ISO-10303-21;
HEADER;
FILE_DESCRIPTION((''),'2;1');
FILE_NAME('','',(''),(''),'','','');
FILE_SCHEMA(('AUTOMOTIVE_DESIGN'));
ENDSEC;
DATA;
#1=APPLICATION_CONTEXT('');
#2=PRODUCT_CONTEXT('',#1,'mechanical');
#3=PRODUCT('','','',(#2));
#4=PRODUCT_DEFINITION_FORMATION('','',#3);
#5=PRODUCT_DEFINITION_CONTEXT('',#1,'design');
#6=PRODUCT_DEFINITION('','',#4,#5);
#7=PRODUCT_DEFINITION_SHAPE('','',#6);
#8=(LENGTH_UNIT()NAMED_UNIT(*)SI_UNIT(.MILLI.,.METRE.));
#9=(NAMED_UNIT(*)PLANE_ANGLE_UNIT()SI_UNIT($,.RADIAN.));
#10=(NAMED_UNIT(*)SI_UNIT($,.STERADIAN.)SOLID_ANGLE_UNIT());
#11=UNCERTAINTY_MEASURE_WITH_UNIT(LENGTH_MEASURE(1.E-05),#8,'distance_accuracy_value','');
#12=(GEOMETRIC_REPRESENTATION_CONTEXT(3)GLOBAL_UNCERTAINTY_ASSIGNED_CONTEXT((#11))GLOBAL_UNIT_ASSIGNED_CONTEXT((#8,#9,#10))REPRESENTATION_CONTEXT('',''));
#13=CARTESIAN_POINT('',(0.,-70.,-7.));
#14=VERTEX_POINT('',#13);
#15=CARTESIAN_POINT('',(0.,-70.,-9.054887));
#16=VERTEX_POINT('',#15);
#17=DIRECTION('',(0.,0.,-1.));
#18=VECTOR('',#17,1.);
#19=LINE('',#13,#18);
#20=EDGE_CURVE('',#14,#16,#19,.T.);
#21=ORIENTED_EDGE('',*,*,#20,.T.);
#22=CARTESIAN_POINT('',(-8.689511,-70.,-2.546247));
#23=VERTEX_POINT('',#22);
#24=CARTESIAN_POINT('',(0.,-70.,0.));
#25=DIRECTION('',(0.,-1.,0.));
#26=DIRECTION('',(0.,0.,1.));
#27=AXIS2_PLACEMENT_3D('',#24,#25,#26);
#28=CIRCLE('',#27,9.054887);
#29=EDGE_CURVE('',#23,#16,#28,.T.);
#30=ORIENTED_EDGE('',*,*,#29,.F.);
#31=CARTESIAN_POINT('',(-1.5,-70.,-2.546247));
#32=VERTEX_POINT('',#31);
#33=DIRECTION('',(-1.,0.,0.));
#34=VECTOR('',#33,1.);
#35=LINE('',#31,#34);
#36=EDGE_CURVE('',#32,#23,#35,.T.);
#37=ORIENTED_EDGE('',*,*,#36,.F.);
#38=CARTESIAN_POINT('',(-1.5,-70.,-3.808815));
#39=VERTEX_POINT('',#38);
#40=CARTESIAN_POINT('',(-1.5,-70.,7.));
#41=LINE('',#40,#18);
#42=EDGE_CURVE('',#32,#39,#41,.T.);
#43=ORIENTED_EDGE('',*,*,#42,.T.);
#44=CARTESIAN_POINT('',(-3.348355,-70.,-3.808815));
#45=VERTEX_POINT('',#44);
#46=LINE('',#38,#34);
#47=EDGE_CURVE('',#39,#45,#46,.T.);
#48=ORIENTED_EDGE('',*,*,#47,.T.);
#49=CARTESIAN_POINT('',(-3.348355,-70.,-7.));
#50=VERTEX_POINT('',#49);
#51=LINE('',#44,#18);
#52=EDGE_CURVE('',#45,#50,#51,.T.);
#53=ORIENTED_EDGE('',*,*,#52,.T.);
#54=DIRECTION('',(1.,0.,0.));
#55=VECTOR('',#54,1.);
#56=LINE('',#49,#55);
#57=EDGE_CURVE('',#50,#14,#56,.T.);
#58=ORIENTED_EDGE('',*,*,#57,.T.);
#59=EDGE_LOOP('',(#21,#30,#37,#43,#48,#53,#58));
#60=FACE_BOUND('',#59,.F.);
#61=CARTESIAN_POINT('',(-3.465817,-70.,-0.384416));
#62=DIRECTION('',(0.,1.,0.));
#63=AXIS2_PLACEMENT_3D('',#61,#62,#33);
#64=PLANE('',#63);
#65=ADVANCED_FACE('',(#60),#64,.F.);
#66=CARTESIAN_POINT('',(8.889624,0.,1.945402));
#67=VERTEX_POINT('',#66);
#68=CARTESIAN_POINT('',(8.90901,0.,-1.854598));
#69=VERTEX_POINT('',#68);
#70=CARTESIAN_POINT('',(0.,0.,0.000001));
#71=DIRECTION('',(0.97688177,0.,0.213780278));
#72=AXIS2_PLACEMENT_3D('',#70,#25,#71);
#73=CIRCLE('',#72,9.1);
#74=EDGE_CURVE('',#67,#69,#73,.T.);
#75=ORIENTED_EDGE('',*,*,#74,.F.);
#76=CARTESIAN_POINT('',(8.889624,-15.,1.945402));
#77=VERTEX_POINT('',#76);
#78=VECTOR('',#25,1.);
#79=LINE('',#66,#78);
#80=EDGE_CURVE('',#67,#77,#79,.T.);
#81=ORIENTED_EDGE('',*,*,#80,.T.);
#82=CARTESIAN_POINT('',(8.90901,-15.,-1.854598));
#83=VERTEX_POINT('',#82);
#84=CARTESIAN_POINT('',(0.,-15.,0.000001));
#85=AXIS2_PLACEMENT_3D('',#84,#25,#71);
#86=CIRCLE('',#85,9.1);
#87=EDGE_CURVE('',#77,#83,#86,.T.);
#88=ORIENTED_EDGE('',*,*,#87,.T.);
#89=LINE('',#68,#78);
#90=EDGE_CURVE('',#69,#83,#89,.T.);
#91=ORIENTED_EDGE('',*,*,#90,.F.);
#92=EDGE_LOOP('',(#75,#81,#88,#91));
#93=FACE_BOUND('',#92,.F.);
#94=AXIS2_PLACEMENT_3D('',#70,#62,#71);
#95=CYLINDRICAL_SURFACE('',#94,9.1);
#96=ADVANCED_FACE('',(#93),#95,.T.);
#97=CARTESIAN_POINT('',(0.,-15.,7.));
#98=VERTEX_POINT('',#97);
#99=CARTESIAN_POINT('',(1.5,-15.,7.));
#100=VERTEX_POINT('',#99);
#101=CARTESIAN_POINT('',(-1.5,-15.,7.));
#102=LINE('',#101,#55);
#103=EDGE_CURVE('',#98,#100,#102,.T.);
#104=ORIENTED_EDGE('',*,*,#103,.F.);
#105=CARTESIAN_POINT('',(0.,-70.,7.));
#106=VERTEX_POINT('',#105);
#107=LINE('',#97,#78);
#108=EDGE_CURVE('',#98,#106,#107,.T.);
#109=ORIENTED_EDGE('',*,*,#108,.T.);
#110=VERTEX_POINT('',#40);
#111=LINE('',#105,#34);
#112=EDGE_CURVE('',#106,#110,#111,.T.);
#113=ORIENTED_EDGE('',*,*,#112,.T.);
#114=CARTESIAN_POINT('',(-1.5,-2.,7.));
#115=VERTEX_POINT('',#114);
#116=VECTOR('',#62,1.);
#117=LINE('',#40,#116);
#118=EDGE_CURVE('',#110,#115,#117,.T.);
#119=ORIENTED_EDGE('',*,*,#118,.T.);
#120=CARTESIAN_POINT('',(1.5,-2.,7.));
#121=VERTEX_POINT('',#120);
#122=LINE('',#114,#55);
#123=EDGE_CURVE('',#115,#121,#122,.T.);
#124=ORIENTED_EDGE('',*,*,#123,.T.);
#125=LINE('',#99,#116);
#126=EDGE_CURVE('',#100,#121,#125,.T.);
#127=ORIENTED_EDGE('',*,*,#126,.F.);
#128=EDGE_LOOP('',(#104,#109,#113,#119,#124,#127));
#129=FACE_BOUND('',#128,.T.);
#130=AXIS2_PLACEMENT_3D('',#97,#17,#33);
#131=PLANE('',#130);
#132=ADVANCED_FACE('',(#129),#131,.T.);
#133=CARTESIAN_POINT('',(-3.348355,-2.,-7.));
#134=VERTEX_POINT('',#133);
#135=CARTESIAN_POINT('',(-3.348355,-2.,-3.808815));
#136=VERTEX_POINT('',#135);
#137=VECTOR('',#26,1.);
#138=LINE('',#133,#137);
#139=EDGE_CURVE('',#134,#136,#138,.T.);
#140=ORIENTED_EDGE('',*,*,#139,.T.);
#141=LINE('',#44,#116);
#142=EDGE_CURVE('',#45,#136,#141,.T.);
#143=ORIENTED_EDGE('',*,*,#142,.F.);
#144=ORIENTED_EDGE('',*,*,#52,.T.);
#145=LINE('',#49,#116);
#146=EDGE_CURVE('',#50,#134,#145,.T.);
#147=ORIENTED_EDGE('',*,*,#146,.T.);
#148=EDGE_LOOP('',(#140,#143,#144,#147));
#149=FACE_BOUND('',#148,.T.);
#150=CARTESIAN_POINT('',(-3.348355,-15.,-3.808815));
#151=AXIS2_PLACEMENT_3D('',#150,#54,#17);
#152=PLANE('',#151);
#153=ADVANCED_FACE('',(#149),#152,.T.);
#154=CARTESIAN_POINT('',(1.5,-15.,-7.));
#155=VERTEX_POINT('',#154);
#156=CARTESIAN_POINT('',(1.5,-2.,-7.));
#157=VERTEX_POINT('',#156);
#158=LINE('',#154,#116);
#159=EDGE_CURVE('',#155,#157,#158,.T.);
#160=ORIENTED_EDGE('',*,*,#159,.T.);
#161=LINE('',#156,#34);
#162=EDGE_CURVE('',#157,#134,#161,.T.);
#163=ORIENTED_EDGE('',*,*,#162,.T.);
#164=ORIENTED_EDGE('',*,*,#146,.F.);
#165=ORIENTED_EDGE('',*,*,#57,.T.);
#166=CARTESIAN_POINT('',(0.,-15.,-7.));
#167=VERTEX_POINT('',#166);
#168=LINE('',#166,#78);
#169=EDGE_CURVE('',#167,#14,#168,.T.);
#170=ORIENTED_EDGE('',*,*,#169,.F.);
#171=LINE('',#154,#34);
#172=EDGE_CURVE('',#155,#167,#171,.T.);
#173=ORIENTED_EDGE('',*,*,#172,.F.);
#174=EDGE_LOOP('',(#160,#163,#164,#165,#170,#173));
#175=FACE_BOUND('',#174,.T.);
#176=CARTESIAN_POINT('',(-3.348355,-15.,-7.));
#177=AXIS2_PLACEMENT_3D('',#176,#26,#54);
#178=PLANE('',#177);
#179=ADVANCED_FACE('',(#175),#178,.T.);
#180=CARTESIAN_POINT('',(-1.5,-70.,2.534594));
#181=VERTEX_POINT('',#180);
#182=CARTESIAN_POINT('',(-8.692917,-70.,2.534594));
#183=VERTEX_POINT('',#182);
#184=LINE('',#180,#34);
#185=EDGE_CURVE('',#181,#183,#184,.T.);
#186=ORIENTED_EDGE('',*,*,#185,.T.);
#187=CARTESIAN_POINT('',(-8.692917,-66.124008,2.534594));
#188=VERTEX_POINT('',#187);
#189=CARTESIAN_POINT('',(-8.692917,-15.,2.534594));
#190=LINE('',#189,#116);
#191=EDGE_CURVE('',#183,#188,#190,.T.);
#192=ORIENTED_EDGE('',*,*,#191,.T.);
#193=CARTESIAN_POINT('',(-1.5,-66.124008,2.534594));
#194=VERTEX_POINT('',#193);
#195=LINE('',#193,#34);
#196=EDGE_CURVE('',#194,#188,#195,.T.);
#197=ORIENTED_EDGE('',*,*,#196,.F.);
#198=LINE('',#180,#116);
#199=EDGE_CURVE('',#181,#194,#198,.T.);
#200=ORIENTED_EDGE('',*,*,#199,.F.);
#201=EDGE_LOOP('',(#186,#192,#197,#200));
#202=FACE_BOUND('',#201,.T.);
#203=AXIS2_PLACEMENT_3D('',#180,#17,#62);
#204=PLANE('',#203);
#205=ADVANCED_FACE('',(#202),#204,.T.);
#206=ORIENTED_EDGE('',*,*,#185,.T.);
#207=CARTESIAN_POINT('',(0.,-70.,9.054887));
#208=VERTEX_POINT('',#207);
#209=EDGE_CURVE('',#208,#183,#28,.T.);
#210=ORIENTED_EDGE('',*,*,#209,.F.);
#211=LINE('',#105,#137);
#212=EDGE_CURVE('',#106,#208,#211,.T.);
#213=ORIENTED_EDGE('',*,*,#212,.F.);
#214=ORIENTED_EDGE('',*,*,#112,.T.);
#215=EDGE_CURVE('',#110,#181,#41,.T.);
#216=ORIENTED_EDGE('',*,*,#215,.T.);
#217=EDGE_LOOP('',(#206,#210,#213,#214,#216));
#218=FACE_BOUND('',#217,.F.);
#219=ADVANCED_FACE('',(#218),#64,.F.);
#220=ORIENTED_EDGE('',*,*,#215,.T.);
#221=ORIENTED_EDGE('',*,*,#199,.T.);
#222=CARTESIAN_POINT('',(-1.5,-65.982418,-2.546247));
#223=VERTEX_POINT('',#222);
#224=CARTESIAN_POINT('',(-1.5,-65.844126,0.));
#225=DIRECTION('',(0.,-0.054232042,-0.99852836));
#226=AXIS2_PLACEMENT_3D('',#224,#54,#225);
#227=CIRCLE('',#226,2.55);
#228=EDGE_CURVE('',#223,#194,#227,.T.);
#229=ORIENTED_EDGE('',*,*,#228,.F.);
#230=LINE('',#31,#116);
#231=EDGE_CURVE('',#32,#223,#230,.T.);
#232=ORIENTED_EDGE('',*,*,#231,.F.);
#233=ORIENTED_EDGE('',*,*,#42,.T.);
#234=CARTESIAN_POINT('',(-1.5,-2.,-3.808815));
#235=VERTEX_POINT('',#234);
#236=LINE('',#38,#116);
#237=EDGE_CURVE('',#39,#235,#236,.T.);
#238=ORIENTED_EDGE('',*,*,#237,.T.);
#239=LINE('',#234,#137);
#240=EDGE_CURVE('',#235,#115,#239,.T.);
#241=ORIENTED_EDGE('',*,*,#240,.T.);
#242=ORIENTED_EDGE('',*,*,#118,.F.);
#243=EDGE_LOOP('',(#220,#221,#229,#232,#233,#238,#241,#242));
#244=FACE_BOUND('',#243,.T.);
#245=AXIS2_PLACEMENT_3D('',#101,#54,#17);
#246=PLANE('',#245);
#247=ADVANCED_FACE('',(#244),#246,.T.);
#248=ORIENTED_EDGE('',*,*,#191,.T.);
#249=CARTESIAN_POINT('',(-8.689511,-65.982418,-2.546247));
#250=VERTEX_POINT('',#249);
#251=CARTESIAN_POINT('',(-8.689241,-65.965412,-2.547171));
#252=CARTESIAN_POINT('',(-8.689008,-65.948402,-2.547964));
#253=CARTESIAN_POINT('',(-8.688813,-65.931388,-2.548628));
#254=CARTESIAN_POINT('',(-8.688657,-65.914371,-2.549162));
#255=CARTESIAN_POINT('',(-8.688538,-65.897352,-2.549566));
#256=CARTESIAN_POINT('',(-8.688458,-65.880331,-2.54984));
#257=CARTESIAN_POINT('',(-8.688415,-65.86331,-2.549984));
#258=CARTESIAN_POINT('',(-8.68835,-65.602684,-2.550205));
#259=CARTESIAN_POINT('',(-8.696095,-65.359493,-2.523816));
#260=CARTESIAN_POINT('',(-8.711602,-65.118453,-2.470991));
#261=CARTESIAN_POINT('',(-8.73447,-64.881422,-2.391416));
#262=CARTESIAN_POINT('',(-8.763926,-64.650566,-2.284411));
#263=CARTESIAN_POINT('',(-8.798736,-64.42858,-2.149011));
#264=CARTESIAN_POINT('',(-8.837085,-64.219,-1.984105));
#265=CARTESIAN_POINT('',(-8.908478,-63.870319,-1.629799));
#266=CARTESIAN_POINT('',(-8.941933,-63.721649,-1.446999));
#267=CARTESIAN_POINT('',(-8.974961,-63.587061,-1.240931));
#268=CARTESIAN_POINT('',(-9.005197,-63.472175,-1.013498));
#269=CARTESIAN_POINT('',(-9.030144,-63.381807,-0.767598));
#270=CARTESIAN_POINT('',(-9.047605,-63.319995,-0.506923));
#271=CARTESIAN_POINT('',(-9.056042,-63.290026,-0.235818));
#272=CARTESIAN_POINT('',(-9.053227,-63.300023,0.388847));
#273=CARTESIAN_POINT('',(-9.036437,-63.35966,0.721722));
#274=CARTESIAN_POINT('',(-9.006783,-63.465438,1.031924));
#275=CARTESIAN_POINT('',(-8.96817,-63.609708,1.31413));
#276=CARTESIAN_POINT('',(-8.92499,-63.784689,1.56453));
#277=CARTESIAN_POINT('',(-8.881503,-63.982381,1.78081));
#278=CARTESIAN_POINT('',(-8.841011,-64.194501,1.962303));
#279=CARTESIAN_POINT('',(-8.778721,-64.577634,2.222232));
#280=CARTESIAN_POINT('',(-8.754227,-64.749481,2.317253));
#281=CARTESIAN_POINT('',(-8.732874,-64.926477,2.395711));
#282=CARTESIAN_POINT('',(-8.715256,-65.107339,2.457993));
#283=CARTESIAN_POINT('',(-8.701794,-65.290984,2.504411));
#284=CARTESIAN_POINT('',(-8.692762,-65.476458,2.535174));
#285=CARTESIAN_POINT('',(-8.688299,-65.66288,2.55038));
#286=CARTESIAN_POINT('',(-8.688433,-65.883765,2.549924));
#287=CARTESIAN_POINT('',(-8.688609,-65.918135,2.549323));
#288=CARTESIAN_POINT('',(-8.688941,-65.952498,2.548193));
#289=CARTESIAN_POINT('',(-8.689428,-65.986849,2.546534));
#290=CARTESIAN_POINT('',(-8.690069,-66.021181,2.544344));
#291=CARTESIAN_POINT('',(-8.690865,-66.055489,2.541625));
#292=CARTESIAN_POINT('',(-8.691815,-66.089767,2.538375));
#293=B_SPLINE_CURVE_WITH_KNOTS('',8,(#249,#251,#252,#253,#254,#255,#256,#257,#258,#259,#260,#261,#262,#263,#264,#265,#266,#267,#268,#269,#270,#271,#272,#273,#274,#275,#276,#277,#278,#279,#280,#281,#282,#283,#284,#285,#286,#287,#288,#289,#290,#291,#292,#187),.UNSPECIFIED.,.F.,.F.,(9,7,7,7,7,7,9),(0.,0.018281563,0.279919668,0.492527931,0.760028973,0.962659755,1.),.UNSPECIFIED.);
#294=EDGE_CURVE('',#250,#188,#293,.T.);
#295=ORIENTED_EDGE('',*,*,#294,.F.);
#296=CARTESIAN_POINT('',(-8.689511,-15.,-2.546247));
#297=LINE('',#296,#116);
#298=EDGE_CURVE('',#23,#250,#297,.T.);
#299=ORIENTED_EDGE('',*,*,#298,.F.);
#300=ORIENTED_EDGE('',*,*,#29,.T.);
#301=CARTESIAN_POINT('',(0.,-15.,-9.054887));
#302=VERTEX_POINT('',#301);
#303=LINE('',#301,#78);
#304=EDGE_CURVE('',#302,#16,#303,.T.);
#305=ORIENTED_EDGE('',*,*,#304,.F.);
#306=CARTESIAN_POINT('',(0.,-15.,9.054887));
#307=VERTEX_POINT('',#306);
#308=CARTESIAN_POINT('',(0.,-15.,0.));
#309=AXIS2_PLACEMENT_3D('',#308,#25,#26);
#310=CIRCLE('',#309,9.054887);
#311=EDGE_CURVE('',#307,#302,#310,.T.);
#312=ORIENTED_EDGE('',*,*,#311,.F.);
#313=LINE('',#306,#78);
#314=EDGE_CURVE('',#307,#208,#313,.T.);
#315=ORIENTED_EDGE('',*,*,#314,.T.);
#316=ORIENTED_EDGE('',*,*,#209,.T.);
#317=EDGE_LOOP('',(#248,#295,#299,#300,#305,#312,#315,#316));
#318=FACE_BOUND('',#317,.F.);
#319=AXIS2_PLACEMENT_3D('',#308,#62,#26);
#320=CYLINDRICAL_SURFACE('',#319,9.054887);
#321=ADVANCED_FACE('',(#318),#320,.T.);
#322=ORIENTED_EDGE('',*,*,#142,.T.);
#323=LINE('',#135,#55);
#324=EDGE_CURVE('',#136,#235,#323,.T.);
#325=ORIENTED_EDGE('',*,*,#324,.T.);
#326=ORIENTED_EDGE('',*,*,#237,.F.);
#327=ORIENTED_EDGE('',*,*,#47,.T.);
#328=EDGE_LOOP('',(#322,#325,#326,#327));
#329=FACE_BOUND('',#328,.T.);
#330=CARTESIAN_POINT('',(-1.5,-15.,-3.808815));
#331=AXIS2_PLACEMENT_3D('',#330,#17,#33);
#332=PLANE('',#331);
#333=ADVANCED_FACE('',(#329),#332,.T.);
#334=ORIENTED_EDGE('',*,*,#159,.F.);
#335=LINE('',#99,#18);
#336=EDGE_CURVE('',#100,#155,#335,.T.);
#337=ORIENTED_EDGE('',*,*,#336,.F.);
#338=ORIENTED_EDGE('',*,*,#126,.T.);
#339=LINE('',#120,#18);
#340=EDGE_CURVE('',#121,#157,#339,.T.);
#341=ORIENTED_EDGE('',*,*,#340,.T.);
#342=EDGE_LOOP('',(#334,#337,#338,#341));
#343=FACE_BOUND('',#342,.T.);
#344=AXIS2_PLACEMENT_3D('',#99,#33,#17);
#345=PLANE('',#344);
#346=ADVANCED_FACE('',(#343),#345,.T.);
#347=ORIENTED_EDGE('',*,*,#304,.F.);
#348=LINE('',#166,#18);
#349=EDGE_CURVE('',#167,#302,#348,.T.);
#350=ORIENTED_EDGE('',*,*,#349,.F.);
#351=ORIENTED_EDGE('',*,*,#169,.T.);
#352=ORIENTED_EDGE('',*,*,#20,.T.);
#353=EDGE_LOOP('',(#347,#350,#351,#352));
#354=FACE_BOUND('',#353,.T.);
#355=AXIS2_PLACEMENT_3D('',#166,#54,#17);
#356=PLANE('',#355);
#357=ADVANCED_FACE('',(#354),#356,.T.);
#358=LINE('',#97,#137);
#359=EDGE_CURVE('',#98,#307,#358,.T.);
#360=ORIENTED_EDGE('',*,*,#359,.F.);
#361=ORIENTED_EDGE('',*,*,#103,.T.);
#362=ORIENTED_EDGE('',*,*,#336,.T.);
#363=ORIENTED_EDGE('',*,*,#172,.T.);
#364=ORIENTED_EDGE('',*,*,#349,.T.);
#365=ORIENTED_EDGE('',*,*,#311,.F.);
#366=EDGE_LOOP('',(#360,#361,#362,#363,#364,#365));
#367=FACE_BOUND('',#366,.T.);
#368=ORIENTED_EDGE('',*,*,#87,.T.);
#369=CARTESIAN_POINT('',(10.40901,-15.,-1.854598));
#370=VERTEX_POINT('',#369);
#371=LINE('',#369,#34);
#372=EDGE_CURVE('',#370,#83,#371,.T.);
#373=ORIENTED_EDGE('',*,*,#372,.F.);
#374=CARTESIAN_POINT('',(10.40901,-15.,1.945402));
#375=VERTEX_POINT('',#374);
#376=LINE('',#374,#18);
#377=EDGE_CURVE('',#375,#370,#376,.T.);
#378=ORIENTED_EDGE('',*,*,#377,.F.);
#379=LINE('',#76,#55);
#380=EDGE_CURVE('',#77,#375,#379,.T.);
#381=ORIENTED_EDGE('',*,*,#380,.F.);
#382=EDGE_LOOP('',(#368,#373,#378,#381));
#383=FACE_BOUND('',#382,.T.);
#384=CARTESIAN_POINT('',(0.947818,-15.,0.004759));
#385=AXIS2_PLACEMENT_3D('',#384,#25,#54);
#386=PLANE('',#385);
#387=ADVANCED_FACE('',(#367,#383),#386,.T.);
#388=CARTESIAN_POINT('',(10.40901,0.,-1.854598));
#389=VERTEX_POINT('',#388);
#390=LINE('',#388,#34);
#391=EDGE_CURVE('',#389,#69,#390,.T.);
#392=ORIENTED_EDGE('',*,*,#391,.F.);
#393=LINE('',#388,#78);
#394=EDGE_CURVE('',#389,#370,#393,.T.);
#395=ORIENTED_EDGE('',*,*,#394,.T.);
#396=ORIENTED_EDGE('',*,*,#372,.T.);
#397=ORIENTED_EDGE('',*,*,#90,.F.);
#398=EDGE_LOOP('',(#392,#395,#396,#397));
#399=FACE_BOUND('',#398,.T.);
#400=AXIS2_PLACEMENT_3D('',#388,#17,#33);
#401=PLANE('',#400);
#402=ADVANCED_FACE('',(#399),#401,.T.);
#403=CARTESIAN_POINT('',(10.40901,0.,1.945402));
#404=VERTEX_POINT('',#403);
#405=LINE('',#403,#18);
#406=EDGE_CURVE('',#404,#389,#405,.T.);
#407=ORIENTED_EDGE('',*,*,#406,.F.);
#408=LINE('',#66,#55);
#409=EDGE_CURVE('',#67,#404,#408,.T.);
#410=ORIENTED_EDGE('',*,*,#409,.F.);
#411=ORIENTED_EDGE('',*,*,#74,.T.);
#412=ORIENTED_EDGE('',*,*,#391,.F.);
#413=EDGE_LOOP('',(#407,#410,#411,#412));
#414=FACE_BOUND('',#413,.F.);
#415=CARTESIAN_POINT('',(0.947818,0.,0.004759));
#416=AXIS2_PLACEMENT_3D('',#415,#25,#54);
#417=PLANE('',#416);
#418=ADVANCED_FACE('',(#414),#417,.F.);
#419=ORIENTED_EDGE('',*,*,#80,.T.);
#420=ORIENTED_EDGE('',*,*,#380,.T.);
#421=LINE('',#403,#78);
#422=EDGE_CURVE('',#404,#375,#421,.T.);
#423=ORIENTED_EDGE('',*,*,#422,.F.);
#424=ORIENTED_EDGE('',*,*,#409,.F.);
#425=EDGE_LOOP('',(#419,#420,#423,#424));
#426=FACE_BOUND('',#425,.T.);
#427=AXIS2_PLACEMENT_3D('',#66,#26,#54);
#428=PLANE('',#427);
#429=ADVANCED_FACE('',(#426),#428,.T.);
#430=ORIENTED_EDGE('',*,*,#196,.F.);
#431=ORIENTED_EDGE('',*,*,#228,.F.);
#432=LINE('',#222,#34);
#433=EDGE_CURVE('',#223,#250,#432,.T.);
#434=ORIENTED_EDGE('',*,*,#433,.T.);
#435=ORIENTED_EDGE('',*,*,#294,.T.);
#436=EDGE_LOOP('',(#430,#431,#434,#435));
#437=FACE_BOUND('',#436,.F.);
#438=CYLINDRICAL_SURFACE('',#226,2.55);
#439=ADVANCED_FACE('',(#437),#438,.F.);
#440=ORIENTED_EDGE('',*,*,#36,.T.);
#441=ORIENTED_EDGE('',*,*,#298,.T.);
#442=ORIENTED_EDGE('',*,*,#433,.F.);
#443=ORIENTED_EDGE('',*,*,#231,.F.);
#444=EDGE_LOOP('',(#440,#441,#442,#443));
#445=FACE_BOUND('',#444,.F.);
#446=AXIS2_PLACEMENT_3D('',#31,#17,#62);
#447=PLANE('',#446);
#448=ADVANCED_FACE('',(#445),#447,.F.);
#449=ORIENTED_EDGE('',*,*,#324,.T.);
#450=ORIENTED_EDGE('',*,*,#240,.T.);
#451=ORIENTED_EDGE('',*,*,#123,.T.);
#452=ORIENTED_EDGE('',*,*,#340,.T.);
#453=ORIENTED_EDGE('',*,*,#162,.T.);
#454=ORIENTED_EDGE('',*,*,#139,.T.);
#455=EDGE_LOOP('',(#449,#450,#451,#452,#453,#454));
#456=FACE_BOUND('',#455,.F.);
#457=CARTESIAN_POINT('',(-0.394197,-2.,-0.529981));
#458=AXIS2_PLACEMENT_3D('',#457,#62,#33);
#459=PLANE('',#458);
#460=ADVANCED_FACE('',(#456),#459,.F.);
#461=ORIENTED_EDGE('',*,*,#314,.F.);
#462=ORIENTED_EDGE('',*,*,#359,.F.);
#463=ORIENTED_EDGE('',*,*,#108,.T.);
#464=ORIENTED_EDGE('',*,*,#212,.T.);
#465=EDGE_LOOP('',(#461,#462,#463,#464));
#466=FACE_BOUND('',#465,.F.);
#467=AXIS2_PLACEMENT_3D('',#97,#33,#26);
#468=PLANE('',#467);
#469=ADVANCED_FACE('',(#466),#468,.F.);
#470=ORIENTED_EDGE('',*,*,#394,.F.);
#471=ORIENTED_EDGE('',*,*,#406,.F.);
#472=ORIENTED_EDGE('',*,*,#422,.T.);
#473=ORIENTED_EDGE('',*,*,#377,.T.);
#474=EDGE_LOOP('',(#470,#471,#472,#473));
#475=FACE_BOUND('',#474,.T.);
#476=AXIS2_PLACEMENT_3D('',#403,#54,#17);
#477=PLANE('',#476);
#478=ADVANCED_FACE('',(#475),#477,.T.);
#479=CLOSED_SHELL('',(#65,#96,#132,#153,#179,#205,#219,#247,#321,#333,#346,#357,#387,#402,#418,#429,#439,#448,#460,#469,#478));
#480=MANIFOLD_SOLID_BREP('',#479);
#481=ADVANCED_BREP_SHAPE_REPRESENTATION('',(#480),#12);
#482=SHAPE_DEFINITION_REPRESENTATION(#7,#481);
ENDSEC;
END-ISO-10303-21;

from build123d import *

# Parameters (mm, degrees)
PAD_DEPTH       = 15
POCKET_DEPTH    = 13
PAD001_DEPTH    = 55
POCKET001_DEPTH = 7.601


with BuildPart() as part:
    # Sketch → Pad (new body)
    with BuildSketch(Plane.XZ):
        with BuildLine():
            ThreePointArc((8.889624, 1.945402), (-9.099882, -0.046426), (8.90901, -1.854598))
            Line((10.40901, -1.854598), (8.90901, -1.854598))
            Line((10.40901, 1.945402), (10.40901, -1.854598))
            Line((8.889624, 1.945402), (10.40901, 1.945402))
        make_face()
    extrude(amount=PAD_DEPTH)

    # Sketch001 (on Face6 of Pad) → Pocket (cut)
    with BuildSketch(Plane.XZ.offset(15)):
        Polygon((-1.5, 7), (1.5, 7), (1.5, -7), (-3.348355, -7), (-3.348355, -3.808815), (-1.5, -3.808815), align=None)
    extrude(amount=-POCKET_DEPTH, mode=Mode.SUBTRACT)

    # Sketch002 (on Face5 of Pocket) → Pad001 (join)
    with BuildSketch(Plane.XZ.offset(15)):
        with BuildLine():
            Line((0, 7), (-1.5, 7))
            Line((-1.5, 7), (-1.5, -3.808815))
            Line((-1.5, -3.808815), (-3.348355, -3.808815))
            Line((-3.348355, -3.808815), (-3.348355, -7))
            Line((-3.348355, -7), (0, -7))
            Line((0, -7), (0, -9.054887))
            ThreePointArc((0, 9.054887), (-9.054887, 0), (0, -9.054887))
            Line((0, 7), (0, 9.054887))
        make_face()
    extrude(amount=PAD001_DEPTH)

    # Sketch003 (on Face19 of Pad001) → Pocket001 (cut, through all)
    with BuildSketch(Plane(origin=(-1.5, 0, 0), x_dir=(0, 0, 1), z_dir=(1, 0, 0))):
        with BuildLine():
            Line((-2.546247, 70), (-2.546247, 65.982418))
            ThreePointArc((-2.546247, 65.982418), (0.071035, 63.295116), (2.534594, 66.124008))
            Line((2.534594, 70), (2.534594, 66.124008))
            Line((-2.546247, 70), (2.534594, 70))
        make_face()
    extrude(amount=-POCKET001_DEPTH, mode=Mode.SUBTRACT)


solid = part.part
